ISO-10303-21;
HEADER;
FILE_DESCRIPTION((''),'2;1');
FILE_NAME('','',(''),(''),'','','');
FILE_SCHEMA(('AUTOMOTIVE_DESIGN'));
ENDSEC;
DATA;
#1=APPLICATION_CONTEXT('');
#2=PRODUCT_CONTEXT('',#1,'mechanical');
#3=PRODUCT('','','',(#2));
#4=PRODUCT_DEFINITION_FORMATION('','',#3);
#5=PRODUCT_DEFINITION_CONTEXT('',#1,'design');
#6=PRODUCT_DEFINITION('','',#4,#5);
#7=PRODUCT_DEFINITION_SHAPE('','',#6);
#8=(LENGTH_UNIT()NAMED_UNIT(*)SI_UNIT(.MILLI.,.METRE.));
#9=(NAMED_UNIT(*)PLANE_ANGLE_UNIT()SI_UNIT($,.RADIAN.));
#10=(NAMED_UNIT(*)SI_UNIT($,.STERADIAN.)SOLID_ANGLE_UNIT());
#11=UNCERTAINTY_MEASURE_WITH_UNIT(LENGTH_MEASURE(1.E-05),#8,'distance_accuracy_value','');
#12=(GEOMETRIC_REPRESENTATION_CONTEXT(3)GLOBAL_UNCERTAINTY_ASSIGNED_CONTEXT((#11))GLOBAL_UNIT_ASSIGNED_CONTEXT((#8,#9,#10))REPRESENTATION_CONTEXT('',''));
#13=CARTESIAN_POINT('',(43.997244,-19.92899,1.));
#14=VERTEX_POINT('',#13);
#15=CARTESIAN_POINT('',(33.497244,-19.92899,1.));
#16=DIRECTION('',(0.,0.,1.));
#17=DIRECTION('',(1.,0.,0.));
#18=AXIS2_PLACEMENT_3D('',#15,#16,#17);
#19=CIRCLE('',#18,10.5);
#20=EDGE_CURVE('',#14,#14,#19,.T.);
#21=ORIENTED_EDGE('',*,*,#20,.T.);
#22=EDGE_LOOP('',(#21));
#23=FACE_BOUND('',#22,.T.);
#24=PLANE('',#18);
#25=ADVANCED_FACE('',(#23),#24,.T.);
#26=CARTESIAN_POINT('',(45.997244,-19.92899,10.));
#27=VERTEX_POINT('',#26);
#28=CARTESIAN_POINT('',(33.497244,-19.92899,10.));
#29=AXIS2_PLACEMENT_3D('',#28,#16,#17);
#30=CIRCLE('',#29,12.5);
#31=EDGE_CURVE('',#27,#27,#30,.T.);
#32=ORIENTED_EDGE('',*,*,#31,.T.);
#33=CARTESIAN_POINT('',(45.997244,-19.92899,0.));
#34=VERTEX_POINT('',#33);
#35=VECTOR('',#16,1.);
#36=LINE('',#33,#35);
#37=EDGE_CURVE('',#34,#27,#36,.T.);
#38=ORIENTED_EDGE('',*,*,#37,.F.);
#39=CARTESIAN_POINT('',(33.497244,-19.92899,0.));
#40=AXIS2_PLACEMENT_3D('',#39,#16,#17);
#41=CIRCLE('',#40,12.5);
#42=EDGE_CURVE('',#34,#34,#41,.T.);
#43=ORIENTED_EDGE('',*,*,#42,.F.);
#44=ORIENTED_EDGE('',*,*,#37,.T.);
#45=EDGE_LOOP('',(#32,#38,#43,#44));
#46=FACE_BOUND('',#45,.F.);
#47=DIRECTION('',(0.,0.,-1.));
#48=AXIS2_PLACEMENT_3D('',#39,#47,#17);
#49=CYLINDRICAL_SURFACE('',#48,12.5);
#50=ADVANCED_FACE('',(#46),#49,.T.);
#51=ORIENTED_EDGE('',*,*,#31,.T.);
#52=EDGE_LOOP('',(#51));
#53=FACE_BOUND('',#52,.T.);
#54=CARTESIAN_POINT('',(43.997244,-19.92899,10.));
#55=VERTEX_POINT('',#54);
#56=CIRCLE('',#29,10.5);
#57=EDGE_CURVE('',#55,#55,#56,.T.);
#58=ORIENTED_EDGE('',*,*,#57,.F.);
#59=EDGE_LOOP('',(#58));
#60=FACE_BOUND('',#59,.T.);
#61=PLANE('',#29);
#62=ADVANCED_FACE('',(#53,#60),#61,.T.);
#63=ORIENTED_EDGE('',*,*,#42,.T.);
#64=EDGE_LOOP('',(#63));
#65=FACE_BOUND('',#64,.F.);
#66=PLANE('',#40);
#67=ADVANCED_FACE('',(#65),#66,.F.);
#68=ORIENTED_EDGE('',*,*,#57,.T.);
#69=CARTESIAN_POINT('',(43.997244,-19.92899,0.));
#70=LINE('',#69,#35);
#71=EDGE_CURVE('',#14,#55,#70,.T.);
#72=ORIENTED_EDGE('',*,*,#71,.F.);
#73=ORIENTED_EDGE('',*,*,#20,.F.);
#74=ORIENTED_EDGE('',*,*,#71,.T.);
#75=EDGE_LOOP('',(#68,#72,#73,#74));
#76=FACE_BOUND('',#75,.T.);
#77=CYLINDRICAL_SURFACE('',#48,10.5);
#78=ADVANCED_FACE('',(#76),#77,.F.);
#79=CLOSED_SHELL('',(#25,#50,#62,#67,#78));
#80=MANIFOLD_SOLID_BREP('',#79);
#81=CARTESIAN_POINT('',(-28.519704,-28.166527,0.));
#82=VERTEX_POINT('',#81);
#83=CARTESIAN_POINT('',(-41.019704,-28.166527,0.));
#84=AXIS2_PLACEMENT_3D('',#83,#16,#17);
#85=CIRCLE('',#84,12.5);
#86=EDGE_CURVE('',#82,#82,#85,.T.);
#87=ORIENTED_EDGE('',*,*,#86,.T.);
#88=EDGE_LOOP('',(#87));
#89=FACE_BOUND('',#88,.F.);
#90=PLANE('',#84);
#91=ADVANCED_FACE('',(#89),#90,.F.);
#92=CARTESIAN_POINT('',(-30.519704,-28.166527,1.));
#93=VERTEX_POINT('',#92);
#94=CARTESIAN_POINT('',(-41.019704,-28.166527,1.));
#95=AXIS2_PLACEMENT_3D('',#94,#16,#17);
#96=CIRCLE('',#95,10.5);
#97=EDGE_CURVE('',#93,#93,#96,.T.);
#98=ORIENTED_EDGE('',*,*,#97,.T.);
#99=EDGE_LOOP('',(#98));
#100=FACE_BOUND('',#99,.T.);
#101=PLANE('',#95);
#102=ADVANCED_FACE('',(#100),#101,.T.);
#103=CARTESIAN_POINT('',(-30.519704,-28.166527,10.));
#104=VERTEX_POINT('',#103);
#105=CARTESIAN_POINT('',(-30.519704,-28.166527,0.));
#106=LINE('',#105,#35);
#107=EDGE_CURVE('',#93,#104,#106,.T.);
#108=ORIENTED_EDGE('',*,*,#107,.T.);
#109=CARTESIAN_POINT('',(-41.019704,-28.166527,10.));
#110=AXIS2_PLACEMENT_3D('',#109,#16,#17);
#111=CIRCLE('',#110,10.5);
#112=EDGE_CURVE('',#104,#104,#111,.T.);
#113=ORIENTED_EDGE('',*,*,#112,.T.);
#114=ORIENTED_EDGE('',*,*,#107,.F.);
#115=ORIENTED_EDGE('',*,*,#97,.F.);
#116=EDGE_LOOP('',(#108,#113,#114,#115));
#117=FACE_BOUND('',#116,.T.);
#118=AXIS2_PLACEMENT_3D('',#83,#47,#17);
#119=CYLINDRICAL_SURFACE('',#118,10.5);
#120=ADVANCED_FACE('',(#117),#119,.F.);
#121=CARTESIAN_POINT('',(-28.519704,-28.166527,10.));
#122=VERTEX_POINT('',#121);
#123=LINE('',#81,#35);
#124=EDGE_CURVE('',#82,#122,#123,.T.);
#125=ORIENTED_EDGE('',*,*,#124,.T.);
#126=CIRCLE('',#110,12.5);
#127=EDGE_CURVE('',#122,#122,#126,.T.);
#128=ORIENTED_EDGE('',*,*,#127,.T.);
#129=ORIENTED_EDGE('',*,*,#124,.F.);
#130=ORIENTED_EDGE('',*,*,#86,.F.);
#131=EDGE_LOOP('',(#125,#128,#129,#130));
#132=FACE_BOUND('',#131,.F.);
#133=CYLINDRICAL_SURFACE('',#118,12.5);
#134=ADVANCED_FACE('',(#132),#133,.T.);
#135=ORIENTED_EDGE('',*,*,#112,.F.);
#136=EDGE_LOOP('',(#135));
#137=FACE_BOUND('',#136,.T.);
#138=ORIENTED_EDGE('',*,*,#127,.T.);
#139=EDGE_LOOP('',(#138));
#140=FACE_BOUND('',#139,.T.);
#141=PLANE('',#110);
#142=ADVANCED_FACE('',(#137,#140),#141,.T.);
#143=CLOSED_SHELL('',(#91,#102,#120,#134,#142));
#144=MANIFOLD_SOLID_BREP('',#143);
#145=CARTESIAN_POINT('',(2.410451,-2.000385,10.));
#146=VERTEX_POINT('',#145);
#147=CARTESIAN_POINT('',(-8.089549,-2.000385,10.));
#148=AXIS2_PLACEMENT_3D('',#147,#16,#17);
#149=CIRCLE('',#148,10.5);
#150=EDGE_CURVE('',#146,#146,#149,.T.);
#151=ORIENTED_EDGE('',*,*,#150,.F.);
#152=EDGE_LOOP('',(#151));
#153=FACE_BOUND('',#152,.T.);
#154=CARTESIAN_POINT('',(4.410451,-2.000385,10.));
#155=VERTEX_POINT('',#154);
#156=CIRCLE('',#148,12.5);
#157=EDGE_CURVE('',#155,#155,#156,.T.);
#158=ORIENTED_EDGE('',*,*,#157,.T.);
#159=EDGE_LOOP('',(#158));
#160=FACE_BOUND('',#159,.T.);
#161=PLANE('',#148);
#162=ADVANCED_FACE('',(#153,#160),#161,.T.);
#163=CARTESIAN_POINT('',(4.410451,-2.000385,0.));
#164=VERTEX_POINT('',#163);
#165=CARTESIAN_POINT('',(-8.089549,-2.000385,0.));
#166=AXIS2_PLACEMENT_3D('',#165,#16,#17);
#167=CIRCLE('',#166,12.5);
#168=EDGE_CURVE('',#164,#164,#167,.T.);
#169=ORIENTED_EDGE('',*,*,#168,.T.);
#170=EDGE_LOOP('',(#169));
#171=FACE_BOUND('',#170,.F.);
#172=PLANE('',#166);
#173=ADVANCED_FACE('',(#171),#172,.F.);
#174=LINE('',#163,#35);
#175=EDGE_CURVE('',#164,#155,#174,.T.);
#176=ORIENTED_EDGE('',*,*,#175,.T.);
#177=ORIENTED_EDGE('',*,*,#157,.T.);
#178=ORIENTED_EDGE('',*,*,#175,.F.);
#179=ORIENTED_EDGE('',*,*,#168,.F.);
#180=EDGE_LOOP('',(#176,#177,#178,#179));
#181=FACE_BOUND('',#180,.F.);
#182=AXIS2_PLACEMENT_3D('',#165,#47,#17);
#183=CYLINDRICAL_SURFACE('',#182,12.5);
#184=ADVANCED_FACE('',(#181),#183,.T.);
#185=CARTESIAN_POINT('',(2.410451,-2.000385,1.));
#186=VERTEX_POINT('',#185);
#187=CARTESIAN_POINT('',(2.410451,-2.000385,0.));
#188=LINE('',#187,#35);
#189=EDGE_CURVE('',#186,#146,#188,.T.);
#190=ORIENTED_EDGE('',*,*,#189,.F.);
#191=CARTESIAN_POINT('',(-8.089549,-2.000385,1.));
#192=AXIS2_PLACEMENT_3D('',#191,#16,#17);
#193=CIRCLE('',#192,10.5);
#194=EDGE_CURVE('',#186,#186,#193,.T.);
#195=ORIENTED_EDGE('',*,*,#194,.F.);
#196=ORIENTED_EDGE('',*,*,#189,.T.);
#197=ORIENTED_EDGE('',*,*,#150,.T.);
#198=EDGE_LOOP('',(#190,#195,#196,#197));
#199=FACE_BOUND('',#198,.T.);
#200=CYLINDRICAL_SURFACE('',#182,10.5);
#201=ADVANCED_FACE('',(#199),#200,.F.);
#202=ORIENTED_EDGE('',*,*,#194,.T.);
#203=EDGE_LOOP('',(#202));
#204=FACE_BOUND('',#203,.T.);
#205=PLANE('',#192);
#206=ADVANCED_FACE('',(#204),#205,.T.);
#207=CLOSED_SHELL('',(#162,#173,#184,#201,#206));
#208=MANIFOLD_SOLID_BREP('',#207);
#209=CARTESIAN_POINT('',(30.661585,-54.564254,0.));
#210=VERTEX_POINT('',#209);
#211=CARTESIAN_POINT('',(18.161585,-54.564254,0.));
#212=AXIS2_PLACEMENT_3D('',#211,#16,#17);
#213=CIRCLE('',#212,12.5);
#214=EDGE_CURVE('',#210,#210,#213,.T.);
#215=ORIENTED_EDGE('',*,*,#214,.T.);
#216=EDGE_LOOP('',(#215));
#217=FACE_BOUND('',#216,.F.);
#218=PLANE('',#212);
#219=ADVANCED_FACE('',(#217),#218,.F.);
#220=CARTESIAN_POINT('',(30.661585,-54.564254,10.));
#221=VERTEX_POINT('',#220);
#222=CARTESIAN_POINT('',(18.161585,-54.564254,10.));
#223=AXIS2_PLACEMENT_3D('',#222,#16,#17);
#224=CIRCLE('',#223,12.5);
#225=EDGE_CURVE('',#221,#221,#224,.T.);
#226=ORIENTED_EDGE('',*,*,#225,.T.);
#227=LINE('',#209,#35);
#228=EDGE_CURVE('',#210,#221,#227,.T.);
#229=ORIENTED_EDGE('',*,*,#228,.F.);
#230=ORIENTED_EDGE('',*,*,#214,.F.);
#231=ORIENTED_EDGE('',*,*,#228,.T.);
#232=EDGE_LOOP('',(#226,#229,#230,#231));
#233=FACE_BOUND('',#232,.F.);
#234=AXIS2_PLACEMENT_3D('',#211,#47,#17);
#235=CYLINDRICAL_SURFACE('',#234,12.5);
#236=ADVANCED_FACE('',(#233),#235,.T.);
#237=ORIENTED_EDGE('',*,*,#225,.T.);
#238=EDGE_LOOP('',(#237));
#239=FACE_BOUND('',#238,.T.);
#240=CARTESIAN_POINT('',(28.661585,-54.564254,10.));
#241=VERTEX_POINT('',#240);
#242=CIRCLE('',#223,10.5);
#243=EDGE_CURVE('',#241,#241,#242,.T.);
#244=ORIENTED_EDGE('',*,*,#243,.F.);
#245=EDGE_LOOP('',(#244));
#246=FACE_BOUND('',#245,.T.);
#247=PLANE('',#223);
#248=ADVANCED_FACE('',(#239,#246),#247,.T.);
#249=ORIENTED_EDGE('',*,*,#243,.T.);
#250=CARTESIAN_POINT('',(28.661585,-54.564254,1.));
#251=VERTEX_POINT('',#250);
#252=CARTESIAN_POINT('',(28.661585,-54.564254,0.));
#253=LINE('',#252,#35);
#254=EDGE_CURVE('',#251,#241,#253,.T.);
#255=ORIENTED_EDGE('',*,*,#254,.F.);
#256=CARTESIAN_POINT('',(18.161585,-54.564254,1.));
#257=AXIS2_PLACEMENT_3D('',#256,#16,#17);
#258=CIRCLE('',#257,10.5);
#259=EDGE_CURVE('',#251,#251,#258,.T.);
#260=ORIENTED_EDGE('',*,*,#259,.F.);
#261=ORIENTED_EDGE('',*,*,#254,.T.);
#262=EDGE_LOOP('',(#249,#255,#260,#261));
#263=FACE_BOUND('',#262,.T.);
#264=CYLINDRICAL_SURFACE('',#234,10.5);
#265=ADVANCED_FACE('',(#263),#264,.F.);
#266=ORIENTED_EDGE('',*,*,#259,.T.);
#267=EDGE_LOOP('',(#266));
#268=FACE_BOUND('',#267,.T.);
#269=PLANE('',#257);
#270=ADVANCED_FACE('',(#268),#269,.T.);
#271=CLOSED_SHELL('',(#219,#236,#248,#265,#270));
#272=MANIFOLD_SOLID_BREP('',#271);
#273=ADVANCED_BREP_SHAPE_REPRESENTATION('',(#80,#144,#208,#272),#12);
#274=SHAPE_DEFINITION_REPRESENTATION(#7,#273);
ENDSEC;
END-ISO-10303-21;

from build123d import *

# Parameters (mm, degrees)
F0_R     = 12.5
F0_R_2   = 10.5
F1_DEPTH = 10
F2_DEPTH = 1


with BuildPart() as f1:
    # F0 (on Top) → F1 (new body)
    with BuildSketch(Plane.XY):
        with Locations((-41.019704, -28.166527)):
            Circle(F0_R)
        with Locations((-41.019704, -28.166527)):
            Circle(F0_R_2, mode=Mode.SUBTRACT)
        with Locations((-8.089549, -2.000385)):
            Circle(F0_R)
        with Locations((-8.089549, -2.000385)):
            Circle(F0_R_2, mode=Mode.SUBTRACT)
        with Locations((33.497244, -19.92899)):
            Circle(F0_R)
        with Locations((33.497244, -19.92899)):
            Circle(F0_R_2, mode=Mode.SUBTRACT)
        with Locations((18.161585, -54.564254)):
            Circle(F0_R)
        with Locations((18.161585, -54.564254)):
            Circle(F0_R_2, mode=Mode.SUBTRACT)
    extrude(amount=F1_DEPTH)

    # F0 (on Top) → F2 (join)
    with BuildSketch(Plane.XY):
        with Locations((-41.019704, -28.166527)):
            Circle(F0_R_2)
        with Locations((-8.089549, -2.000385)):
            Circle(F0_R_2)
        with Locations((33.497244, -19.92899)):
            Circle(F0_R_2)
        with Locations((18.161585, -54.564254)):
            Circle(F0_R_2)
    extrude(amount=F2_DEPTH)


solid = f1.part
